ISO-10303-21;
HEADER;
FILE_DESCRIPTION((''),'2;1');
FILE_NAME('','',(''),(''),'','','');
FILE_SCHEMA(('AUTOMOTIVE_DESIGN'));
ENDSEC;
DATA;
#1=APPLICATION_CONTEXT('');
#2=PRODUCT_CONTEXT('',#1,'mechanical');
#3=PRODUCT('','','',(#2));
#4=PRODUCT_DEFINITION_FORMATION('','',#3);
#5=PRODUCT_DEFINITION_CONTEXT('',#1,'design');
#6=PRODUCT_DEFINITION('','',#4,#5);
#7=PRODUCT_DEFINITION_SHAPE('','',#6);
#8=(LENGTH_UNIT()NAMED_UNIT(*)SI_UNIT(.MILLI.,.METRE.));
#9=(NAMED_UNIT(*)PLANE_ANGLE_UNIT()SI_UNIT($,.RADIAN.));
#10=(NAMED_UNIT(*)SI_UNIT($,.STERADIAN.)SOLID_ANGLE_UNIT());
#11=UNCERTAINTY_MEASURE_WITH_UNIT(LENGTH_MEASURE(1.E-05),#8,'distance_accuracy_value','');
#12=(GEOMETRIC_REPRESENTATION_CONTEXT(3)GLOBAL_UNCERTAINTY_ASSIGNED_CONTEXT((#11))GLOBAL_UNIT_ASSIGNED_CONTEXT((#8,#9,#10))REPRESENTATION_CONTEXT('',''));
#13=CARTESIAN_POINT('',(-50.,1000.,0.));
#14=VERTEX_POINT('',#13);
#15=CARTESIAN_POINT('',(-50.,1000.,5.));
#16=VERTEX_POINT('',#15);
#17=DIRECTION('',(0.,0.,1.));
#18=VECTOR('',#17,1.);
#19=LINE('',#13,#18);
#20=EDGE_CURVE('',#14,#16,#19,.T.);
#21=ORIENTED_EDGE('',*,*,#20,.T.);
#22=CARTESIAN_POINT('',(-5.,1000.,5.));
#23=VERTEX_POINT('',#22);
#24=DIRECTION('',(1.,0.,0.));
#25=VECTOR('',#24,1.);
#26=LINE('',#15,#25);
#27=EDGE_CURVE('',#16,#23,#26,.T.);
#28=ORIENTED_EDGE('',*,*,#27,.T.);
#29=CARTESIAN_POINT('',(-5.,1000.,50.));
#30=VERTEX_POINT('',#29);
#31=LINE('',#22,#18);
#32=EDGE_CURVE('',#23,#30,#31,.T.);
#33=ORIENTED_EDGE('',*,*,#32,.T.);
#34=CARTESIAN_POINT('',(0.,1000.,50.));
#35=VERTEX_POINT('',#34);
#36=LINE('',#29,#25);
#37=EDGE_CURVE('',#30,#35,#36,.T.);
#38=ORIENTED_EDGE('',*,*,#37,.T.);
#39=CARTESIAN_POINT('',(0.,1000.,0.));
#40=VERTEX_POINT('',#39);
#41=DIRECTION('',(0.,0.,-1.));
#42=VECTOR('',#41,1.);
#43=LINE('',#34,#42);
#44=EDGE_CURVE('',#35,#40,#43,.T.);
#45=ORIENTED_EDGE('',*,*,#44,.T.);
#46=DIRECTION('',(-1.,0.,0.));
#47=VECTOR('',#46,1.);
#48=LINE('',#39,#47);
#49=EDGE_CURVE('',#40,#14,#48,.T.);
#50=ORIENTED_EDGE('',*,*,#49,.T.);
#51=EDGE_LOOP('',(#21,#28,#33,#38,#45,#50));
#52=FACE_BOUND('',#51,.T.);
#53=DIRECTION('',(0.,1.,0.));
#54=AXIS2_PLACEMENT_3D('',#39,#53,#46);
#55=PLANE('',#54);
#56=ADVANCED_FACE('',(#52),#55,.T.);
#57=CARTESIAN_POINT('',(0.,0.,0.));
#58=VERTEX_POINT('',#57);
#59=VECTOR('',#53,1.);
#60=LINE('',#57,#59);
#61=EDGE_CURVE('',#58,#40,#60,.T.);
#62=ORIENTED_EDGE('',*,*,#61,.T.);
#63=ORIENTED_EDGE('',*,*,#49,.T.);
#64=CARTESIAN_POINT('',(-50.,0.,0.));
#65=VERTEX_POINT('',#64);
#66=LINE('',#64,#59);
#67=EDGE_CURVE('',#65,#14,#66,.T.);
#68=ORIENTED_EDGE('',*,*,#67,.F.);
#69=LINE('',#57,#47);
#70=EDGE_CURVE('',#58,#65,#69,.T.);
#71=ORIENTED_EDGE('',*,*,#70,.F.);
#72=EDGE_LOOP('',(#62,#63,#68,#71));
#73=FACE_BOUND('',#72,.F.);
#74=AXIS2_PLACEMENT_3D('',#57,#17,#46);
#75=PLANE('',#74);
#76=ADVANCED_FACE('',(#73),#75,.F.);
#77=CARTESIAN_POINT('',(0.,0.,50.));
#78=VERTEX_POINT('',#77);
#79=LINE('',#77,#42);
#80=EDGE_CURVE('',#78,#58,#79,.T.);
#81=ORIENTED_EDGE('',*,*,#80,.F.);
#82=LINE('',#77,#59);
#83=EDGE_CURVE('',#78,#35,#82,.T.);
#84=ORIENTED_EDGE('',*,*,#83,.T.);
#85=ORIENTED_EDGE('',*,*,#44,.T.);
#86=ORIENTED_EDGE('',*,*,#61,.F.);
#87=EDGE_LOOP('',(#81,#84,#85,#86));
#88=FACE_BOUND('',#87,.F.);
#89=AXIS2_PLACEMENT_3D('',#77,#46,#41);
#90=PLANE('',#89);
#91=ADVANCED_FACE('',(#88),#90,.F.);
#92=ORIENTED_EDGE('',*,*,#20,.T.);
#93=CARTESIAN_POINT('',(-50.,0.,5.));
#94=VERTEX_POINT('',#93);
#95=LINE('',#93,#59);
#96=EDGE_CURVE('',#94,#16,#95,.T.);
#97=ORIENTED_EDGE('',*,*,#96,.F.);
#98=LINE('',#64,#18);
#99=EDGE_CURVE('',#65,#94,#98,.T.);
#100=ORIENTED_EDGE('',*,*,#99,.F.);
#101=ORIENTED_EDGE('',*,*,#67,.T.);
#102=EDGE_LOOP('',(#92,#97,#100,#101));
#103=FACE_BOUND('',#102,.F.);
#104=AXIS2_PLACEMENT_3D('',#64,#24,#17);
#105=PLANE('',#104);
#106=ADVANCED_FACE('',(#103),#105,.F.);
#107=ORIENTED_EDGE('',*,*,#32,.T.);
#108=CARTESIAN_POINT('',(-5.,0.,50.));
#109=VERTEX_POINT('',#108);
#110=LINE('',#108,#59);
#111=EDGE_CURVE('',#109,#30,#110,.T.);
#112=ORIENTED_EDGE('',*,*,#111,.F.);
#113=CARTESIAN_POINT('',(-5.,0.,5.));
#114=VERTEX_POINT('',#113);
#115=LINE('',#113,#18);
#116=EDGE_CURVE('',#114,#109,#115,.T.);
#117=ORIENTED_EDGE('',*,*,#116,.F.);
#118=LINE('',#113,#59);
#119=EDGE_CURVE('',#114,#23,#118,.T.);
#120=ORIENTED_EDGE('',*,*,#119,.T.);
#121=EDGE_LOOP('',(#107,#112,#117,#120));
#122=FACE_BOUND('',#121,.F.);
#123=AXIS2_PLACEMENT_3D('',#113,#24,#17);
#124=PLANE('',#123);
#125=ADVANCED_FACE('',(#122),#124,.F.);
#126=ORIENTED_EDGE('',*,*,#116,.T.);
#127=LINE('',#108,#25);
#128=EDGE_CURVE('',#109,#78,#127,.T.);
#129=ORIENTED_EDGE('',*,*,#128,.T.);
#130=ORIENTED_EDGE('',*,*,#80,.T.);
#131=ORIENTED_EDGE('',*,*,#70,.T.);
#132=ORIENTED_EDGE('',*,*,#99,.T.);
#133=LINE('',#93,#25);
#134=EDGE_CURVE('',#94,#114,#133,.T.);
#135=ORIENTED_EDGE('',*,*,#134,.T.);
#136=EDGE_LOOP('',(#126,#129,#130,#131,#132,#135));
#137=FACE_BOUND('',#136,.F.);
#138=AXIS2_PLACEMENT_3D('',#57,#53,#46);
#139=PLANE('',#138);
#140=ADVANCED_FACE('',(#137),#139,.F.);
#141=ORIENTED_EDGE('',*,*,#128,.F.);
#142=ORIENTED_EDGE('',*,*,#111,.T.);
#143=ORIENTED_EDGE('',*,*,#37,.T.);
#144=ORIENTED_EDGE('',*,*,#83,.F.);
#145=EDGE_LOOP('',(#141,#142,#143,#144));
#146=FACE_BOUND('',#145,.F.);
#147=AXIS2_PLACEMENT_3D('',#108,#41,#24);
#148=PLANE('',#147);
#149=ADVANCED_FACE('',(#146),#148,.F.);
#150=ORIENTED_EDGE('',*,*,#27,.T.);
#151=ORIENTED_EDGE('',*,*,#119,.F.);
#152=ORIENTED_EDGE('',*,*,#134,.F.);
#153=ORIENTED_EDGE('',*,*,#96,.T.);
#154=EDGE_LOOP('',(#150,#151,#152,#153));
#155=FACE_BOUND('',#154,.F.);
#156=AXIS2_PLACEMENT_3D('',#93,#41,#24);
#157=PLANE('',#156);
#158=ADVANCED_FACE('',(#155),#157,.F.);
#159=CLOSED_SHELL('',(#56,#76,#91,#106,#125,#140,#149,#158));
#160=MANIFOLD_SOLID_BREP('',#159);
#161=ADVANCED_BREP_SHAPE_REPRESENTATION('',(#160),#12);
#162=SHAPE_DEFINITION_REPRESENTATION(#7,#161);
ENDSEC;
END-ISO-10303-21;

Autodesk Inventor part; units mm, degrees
ref_plane "YZ Plane" through (0, 0, 0) normal (1, 0, 0) x (0, 1, 0)
ref_plane "XZ Plane" through (0, 0, 0) normal (0, 1, 0) x (-1, 0, 0)
ref_plane "XY Plane" through (0, 0, 0) normal (0, 0, 1) x (1, 0, 0)
sketch "Эскиз1" plane through (0, 0, 0) normal (0, 1, 0) x (-1, 0, 0)
  line L0 (0, 50) -> (0, 0)
  line L1 (0, 0) -> (50, 0)
  line L2 (50, 0) -> (50, 5)
  line L3 (50, 5) -> (5, 5)
  line L4 (5, 5) -> (5, 50)
  line L5 (5, 50) -> (0, 50)
  dimension "d0" = 5
  dimension "d1" = 5
  dimension "d2" = 50
  dimension "d3" = 50
extrude "Выдавливание1" add sketch "Эскиз1" along normal blind 1000
properties part number "Ugolok1000"
